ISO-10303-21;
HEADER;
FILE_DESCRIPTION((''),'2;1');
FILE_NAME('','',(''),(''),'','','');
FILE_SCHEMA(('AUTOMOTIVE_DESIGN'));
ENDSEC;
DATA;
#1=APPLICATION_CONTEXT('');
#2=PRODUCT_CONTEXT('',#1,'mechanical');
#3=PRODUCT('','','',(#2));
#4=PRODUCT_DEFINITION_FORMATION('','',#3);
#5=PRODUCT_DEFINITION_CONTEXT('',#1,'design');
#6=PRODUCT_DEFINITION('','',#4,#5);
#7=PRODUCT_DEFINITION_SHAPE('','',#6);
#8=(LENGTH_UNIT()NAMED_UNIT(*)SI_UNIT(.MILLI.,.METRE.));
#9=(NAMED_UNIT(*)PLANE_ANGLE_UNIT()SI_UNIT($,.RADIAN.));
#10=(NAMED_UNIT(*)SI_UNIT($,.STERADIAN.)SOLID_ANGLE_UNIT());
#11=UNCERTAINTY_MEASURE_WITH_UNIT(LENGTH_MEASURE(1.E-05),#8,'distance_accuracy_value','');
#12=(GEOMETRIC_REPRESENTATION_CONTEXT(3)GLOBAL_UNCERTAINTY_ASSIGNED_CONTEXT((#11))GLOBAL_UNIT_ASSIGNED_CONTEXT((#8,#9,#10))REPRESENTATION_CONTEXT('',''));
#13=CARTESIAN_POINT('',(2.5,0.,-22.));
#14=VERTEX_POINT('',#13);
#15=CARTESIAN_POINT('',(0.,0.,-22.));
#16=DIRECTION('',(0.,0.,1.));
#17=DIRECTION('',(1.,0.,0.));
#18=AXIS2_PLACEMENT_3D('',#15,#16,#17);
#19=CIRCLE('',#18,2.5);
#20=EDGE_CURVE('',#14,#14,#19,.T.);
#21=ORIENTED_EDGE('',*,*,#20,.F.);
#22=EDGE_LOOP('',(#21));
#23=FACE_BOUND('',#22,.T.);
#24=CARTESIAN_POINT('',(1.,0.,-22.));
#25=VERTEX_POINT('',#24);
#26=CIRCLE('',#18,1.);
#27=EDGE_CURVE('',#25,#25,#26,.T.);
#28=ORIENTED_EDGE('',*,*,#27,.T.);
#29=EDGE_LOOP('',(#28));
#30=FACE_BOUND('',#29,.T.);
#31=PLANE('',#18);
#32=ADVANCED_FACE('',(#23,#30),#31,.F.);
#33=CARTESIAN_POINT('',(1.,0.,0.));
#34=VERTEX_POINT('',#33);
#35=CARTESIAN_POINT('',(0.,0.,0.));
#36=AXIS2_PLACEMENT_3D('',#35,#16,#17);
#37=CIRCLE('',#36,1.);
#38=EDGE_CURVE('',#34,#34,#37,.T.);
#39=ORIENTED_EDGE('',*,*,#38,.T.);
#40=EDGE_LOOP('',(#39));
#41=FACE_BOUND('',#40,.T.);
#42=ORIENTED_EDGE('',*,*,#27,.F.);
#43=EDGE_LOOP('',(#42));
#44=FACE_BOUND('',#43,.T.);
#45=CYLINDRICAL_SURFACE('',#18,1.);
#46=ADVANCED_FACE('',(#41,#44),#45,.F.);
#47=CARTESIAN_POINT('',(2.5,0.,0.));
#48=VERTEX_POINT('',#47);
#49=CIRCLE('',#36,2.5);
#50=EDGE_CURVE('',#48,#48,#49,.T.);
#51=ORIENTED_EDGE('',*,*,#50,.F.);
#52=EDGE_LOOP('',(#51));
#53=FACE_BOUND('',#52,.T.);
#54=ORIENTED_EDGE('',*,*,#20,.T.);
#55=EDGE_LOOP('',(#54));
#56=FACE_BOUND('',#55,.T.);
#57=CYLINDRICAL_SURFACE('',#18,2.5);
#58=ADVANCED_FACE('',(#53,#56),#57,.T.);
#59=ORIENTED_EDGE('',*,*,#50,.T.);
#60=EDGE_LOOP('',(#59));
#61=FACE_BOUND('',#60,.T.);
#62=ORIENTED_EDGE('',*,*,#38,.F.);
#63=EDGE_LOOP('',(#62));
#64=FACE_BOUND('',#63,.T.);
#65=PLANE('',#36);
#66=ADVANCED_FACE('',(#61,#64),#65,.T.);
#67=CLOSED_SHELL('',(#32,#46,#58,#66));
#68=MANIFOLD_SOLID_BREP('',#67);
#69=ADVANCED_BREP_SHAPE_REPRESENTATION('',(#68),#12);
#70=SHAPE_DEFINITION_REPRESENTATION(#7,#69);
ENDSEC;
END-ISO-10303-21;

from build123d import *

# Parameters (mm, degrees)
SKETCH_1_R      = 2.5
SKETCH_1_R_2    = 1
EXTRUDE_1_DEPTH = 22


with BuildPart() as part:
    # 草图1 → 拉伸-薄壁1 (new body)
    with BuildSketch(Plane.XY):
        Circle(SKETCH_1_R)
        Circle(SKETCH_1_R_2, mode=Mode.SUBTRACT)
    extrude(amount=-EXTRUDE_1_DEPTH)


solid = part.part
